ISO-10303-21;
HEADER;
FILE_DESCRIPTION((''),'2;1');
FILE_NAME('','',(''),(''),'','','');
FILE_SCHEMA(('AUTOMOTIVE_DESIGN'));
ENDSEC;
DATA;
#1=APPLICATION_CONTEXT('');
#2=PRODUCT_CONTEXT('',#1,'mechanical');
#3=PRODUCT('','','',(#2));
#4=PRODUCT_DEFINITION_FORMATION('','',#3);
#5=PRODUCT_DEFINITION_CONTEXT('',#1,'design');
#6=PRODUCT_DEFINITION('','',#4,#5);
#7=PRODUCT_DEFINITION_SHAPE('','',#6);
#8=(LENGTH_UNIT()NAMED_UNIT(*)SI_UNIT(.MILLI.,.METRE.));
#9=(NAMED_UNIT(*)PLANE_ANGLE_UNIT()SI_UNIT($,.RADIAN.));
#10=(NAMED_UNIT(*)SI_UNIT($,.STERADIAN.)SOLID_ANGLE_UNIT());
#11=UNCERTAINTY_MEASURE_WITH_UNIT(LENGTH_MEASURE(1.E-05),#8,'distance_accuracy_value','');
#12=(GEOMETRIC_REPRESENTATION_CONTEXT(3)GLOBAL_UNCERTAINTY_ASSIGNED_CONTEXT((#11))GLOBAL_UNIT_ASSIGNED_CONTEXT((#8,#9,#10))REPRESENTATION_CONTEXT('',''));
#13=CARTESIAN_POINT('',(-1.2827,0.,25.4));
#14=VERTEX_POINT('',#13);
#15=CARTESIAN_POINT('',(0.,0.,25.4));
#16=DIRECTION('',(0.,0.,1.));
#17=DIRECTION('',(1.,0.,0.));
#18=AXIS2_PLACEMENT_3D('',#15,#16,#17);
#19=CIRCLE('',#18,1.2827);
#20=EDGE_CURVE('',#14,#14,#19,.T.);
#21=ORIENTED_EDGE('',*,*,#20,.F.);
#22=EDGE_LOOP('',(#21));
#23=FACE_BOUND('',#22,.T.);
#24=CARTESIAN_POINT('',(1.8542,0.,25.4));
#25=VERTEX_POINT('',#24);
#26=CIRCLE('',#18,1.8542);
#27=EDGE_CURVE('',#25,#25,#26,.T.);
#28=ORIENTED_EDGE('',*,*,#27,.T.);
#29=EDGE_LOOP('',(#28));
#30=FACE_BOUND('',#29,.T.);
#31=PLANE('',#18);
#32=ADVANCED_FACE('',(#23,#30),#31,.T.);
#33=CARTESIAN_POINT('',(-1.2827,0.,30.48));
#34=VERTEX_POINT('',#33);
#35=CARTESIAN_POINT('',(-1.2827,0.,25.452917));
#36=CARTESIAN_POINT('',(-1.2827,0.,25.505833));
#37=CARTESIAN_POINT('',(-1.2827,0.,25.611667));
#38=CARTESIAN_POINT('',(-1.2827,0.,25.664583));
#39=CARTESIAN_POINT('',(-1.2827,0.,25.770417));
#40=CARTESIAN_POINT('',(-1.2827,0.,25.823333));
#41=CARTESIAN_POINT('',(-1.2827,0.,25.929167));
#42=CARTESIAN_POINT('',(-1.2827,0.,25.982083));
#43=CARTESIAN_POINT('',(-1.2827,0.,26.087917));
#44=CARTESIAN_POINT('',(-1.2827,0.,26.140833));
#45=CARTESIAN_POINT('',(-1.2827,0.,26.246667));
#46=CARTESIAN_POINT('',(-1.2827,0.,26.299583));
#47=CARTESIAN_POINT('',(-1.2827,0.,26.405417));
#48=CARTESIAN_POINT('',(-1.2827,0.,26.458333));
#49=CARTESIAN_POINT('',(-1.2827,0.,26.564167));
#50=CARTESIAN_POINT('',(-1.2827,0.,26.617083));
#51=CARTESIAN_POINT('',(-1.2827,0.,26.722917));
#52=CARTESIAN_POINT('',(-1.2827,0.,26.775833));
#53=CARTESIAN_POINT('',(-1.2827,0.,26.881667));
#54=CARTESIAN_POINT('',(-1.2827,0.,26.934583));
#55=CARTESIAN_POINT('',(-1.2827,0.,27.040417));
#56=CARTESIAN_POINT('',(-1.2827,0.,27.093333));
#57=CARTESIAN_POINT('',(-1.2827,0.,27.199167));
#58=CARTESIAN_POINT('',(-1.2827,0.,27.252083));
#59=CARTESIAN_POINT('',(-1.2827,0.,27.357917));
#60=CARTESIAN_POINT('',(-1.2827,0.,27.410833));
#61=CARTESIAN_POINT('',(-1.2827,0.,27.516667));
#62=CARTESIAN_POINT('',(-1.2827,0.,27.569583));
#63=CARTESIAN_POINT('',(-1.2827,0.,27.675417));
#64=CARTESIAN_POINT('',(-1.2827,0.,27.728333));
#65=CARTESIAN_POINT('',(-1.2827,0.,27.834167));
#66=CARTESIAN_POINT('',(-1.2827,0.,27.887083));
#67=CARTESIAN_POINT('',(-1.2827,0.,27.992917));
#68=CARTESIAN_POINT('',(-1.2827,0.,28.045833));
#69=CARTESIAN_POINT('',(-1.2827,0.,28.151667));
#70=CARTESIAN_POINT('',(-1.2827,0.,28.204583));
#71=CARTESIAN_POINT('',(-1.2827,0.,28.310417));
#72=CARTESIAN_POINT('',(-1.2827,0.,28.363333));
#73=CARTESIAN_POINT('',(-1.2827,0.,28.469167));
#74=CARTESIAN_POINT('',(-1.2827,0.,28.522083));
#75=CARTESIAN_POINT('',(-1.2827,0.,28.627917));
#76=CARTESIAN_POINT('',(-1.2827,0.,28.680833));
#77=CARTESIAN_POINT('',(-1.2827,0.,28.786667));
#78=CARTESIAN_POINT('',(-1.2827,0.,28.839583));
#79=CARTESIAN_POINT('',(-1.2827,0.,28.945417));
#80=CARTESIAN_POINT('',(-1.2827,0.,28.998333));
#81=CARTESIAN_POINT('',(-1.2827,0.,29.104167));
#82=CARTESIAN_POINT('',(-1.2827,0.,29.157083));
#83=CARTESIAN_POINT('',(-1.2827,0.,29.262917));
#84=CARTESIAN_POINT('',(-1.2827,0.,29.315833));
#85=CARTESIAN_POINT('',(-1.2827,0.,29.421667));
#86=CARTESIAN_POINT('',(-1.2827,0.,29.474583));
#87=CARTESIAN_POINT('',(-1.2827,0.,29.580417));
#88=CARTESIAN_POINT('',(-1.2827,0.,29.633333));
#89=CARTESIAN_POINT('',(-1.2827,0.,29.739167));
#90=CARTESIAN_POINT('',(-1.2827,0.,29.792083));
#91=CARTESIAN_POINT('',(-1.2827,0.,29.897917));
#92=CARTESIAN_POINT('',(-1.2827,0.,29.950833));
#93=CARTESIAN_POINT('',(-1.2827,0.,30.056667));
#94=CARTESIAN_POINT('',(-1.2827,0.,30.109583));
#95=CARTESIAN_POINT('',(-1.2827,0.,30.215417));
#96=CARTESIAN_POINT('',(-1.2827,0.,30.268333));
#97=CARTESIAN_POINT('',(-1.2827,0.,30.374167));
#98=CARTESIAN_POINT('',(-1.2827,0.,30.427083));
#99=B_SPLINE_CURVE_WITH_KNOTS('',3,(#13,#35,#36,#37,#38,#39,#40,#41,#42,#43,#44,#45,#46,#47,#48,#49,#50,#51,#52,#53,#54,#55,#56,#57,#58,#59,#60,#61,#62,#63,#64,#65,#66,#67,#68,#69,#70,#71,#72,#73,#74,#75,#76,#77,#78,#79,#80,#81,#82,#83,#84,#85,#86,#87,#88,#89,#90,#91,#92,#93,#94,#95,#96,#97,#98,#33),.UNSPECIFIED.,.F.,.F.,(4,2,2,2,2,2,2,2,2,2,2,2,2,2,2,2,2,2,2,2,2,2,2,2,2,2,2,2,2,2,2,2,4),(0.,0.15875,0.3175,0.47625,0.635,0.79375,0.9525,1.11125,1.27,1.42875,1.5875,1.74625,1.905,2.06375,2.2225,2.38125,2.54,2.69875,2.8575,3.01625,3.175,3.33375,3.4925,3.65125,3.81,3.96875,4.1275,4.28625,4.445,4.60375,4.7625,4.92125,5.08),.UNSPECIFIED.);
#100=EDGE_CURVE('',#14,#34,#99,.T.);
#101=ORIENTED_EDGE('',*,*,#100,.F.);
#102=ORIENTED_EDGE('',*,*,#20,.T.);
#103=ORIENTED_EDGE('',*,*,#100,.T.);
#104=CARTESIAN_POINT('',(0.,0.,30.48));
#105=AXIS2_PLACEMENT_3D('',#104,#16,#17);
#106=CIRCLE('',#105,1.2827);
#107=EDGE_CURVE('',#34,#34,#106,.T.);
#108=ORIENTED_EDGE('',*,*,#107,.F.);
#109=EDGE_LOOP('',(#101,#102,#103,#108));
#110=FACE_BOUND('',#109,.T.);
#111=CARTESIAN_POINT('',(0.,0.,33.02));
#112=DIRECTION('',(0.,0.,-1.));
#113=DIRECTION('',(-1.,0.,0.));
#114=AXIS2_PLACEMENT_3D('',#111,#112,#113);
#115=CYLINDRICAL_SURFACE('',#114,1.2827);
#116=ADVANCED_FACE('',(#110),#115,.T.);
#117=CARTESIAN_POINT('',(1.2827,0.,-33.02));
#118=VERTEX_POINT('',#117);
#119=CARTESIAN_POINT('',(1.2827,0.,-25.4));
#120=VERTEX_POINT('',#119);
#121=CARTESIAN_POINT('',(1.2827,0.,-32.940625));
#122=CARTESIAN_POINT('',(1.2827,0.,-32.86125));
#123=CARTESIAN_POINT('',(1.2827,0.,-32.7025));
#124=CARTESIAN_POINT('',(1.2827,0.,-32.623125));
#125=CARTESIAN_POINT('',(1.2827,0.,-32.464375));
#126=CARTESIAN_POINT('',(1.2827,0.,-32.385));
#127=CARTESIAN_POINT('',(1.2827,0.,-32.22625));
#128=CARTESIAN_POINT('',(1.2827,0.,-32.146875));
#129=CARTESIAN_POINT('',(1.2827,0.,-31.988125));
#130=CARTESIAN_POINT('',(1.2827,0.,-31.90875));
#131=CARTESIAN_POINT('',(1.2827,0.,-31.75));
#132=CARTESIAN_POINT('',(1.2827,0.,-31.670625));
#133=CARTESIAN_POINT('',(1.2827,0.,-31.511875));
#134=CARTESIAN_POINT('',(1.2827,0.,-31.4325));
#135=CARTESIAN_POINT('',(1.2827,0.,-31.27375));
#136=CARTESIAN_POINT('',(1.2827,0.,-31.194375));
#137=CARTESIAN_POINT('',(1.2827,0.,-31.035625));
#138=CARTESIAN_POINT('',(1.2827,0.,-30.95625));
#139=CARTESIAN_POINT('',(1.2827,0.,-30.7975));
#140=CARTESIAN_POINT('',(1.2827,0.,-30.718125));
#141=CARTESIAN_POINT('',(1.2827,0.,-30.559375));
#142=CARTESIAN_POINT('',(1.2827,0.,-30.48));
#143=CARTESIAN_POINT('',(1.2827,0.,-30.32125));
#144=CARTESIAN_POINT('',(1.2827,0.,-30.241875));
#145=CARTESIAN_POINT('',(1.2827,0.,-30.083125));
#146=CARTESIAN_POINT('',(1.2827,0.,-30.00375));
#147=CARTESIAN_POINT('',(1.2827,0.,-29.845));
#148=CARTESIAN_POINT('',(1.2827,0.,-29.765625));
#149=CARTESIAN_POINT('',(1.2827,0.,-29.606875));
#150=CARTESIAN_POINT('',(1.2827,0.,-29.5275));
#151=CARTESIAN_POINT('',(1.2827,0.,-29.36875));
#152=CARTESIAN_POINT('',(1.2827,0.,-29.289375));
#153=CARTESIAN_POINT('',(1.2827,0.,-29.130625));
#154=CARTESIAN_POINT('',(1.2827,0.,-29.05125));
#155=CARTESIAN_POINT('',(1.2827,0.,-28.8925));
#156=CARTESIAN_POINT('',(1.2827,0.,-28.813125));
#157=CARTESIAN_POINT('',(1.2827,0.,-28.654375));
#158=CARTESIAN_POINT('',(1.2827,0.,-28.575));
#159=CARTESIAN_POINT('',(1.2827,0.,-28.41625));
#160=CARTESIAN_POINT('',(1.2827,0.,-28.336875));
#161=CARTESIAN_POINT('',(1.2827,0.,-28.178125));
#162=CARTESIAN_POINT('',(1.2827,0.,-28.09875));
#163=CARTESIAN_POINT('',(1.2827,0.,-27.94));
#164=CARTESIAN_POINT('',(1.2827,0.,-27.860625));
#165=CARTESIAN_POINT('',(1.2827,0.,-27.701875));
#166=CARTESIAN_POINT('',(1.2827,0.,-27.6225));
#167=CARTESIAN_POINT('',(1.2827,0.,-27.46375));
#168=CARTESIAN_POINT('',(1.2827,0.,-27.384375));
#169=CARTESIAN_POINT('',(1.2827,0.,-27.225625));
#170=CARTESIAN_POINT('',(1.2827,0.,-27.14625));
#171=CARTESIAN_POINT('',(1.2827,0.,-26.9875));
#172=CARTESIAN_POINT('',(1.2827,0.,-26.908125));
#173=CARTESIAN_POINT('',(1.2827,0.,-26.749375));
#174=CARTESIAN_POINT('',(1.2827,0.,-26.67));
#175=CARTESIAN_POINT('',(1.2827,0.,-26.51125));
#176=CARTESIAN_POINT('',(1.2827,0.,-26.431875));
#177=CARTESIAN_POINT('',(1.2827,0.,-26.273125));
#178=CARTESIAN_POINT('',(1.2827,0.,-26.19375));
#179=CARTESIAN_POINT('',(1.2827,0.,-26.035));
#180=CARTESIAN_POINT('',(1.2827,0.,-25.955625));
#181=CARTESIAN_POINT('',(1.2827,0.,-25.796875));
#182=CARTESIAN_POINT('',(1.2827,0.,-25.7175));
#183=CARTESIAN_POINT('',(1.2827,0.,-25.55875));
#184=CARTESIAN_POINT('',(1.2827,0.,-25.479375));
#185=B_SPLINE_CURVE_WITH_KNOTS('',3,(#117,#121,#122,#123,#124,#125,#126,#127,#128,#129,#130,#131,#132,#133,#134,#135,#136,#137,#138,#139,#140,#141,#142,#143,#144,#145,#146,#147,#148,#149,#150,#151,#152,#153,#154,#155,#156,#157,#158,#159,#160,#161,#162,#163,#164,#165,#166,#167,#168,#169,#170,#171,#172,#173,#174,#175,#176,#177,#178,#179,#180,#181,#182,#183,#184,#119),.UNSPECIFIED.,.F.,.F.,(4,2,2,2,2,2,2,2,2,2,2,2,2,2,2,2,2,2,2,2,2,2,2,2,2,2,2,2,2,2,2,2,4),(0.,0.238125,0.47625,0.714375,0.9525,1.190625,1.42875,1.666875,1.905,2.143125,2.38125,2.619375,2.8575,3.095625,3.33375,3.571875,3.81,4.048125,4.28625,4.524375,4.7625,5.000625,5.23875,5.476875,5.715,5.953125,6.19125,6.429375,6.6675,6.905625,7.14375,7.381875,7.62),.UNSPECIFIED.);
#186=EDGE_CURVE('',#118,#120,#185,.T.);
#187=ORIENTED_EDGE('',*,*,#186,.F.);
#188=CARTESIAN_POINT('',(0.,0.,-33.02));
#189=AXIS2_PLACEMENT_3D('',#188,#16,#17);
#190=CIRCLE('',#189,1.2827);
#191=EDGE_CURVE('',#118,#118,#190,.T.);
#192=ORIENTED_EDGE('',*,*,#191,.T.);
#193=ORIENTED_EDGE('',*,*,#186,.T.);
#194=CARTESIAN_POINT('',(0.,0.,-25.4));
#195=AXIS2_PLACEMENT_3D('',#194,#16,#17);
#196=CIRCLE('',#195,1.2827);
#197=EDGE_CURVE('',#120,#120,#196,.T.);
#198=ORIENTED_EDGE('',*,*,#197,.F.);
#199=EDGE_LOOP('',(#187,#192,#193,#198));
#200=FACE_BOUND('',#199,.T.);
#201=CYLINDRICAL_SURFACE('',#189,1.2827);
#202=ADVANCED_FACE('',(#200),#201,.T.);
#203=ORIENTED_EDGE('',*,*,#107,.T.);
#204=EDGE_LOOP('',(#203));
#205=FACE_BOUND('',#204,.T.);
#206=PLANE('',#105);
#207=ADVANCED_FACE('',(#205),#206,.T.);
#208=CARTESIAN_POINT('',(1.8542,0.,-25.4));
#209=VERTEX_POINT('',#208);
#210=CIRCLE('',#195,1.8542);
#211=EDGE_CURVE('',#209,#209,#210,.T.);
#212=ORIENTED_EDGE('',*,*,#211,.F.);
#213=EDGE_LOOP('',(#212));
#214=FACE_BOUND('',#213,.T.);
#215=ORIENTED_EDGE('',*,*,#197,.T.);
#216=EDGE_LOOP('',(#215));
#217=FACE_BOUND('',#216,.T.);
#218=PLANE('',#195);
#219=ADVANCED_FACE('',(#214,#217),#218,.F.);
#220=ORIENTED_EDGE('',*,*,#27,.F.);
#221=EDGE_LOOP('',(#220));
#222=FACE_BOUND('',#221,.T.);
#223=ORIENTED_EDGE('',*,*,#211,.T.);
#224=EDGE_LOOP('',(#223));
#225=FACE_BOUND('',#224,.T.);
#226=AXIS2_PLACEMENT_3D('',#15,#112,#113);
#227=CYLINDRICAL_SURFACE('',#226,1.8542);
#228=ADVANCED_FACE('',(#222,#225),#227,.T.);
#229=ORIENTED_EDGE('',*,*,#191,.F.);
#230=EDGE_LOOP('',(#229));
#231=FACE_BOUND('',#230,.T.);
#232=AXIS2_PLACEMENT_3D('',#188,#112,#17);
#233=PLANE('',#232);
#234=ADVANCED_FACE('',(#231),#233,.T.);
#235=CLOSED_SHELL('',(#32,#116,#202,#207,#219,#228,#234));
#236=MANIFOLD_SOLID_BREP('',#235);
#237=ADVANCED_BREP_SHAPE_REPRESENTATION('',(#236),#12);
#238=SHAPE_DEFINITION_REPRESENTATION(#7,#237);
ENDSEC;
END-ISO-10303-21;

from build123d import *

# Parameters (mm, degrees)
SKETCH1_R           = 1.8542
BOSS_EXTRUDE1_DEPTH = 25.4
SKETCH2_R           = 1.2827
BOSS_EXTRUDE2_DEPTH = 7.62
SKETCH3_R           = 1.2827
CUT_EXTRUDE1_DEPTH  = 2.54


with BuildPart() as part:
    # Sketch1 → Boss-Extrude1 (new, symmetric)
    with BuildSketch(Plane.XY):
        Circle(SKETCH1_R)
    extrude(amount=BOSS_EXTRUDE1_DEPTH, both=True)

    # Sketch2 → Boss-Extrude2 (add)
    with BuildSketch(Plane.XY.offset(25.4)):
        with Locations(Location((0, 0, 0), (0, 0, 180))):
            Circle(SKETCH2_R)
    boss_extrude2 = extrude(amount=BOSS_EXTRUDE2_DEPTH)

    # Mirror1: Boss-Extrude2 across plane
    add(boss_extrude2.mirror(Plane.XY))

    # Sketch3 → Cut-Extrude1 (cut)
    with BuildSketch(Plane.XY.offset(33.02)):
        with Locations(Location((0, 0, 0), (0, 0, 180))):
            Circle(SKETCH3_R)
    extrude(amount=-CUT_EXTRUDE1_DEPTH, mode=Mode.SUBTRACT)


solid = part.part
